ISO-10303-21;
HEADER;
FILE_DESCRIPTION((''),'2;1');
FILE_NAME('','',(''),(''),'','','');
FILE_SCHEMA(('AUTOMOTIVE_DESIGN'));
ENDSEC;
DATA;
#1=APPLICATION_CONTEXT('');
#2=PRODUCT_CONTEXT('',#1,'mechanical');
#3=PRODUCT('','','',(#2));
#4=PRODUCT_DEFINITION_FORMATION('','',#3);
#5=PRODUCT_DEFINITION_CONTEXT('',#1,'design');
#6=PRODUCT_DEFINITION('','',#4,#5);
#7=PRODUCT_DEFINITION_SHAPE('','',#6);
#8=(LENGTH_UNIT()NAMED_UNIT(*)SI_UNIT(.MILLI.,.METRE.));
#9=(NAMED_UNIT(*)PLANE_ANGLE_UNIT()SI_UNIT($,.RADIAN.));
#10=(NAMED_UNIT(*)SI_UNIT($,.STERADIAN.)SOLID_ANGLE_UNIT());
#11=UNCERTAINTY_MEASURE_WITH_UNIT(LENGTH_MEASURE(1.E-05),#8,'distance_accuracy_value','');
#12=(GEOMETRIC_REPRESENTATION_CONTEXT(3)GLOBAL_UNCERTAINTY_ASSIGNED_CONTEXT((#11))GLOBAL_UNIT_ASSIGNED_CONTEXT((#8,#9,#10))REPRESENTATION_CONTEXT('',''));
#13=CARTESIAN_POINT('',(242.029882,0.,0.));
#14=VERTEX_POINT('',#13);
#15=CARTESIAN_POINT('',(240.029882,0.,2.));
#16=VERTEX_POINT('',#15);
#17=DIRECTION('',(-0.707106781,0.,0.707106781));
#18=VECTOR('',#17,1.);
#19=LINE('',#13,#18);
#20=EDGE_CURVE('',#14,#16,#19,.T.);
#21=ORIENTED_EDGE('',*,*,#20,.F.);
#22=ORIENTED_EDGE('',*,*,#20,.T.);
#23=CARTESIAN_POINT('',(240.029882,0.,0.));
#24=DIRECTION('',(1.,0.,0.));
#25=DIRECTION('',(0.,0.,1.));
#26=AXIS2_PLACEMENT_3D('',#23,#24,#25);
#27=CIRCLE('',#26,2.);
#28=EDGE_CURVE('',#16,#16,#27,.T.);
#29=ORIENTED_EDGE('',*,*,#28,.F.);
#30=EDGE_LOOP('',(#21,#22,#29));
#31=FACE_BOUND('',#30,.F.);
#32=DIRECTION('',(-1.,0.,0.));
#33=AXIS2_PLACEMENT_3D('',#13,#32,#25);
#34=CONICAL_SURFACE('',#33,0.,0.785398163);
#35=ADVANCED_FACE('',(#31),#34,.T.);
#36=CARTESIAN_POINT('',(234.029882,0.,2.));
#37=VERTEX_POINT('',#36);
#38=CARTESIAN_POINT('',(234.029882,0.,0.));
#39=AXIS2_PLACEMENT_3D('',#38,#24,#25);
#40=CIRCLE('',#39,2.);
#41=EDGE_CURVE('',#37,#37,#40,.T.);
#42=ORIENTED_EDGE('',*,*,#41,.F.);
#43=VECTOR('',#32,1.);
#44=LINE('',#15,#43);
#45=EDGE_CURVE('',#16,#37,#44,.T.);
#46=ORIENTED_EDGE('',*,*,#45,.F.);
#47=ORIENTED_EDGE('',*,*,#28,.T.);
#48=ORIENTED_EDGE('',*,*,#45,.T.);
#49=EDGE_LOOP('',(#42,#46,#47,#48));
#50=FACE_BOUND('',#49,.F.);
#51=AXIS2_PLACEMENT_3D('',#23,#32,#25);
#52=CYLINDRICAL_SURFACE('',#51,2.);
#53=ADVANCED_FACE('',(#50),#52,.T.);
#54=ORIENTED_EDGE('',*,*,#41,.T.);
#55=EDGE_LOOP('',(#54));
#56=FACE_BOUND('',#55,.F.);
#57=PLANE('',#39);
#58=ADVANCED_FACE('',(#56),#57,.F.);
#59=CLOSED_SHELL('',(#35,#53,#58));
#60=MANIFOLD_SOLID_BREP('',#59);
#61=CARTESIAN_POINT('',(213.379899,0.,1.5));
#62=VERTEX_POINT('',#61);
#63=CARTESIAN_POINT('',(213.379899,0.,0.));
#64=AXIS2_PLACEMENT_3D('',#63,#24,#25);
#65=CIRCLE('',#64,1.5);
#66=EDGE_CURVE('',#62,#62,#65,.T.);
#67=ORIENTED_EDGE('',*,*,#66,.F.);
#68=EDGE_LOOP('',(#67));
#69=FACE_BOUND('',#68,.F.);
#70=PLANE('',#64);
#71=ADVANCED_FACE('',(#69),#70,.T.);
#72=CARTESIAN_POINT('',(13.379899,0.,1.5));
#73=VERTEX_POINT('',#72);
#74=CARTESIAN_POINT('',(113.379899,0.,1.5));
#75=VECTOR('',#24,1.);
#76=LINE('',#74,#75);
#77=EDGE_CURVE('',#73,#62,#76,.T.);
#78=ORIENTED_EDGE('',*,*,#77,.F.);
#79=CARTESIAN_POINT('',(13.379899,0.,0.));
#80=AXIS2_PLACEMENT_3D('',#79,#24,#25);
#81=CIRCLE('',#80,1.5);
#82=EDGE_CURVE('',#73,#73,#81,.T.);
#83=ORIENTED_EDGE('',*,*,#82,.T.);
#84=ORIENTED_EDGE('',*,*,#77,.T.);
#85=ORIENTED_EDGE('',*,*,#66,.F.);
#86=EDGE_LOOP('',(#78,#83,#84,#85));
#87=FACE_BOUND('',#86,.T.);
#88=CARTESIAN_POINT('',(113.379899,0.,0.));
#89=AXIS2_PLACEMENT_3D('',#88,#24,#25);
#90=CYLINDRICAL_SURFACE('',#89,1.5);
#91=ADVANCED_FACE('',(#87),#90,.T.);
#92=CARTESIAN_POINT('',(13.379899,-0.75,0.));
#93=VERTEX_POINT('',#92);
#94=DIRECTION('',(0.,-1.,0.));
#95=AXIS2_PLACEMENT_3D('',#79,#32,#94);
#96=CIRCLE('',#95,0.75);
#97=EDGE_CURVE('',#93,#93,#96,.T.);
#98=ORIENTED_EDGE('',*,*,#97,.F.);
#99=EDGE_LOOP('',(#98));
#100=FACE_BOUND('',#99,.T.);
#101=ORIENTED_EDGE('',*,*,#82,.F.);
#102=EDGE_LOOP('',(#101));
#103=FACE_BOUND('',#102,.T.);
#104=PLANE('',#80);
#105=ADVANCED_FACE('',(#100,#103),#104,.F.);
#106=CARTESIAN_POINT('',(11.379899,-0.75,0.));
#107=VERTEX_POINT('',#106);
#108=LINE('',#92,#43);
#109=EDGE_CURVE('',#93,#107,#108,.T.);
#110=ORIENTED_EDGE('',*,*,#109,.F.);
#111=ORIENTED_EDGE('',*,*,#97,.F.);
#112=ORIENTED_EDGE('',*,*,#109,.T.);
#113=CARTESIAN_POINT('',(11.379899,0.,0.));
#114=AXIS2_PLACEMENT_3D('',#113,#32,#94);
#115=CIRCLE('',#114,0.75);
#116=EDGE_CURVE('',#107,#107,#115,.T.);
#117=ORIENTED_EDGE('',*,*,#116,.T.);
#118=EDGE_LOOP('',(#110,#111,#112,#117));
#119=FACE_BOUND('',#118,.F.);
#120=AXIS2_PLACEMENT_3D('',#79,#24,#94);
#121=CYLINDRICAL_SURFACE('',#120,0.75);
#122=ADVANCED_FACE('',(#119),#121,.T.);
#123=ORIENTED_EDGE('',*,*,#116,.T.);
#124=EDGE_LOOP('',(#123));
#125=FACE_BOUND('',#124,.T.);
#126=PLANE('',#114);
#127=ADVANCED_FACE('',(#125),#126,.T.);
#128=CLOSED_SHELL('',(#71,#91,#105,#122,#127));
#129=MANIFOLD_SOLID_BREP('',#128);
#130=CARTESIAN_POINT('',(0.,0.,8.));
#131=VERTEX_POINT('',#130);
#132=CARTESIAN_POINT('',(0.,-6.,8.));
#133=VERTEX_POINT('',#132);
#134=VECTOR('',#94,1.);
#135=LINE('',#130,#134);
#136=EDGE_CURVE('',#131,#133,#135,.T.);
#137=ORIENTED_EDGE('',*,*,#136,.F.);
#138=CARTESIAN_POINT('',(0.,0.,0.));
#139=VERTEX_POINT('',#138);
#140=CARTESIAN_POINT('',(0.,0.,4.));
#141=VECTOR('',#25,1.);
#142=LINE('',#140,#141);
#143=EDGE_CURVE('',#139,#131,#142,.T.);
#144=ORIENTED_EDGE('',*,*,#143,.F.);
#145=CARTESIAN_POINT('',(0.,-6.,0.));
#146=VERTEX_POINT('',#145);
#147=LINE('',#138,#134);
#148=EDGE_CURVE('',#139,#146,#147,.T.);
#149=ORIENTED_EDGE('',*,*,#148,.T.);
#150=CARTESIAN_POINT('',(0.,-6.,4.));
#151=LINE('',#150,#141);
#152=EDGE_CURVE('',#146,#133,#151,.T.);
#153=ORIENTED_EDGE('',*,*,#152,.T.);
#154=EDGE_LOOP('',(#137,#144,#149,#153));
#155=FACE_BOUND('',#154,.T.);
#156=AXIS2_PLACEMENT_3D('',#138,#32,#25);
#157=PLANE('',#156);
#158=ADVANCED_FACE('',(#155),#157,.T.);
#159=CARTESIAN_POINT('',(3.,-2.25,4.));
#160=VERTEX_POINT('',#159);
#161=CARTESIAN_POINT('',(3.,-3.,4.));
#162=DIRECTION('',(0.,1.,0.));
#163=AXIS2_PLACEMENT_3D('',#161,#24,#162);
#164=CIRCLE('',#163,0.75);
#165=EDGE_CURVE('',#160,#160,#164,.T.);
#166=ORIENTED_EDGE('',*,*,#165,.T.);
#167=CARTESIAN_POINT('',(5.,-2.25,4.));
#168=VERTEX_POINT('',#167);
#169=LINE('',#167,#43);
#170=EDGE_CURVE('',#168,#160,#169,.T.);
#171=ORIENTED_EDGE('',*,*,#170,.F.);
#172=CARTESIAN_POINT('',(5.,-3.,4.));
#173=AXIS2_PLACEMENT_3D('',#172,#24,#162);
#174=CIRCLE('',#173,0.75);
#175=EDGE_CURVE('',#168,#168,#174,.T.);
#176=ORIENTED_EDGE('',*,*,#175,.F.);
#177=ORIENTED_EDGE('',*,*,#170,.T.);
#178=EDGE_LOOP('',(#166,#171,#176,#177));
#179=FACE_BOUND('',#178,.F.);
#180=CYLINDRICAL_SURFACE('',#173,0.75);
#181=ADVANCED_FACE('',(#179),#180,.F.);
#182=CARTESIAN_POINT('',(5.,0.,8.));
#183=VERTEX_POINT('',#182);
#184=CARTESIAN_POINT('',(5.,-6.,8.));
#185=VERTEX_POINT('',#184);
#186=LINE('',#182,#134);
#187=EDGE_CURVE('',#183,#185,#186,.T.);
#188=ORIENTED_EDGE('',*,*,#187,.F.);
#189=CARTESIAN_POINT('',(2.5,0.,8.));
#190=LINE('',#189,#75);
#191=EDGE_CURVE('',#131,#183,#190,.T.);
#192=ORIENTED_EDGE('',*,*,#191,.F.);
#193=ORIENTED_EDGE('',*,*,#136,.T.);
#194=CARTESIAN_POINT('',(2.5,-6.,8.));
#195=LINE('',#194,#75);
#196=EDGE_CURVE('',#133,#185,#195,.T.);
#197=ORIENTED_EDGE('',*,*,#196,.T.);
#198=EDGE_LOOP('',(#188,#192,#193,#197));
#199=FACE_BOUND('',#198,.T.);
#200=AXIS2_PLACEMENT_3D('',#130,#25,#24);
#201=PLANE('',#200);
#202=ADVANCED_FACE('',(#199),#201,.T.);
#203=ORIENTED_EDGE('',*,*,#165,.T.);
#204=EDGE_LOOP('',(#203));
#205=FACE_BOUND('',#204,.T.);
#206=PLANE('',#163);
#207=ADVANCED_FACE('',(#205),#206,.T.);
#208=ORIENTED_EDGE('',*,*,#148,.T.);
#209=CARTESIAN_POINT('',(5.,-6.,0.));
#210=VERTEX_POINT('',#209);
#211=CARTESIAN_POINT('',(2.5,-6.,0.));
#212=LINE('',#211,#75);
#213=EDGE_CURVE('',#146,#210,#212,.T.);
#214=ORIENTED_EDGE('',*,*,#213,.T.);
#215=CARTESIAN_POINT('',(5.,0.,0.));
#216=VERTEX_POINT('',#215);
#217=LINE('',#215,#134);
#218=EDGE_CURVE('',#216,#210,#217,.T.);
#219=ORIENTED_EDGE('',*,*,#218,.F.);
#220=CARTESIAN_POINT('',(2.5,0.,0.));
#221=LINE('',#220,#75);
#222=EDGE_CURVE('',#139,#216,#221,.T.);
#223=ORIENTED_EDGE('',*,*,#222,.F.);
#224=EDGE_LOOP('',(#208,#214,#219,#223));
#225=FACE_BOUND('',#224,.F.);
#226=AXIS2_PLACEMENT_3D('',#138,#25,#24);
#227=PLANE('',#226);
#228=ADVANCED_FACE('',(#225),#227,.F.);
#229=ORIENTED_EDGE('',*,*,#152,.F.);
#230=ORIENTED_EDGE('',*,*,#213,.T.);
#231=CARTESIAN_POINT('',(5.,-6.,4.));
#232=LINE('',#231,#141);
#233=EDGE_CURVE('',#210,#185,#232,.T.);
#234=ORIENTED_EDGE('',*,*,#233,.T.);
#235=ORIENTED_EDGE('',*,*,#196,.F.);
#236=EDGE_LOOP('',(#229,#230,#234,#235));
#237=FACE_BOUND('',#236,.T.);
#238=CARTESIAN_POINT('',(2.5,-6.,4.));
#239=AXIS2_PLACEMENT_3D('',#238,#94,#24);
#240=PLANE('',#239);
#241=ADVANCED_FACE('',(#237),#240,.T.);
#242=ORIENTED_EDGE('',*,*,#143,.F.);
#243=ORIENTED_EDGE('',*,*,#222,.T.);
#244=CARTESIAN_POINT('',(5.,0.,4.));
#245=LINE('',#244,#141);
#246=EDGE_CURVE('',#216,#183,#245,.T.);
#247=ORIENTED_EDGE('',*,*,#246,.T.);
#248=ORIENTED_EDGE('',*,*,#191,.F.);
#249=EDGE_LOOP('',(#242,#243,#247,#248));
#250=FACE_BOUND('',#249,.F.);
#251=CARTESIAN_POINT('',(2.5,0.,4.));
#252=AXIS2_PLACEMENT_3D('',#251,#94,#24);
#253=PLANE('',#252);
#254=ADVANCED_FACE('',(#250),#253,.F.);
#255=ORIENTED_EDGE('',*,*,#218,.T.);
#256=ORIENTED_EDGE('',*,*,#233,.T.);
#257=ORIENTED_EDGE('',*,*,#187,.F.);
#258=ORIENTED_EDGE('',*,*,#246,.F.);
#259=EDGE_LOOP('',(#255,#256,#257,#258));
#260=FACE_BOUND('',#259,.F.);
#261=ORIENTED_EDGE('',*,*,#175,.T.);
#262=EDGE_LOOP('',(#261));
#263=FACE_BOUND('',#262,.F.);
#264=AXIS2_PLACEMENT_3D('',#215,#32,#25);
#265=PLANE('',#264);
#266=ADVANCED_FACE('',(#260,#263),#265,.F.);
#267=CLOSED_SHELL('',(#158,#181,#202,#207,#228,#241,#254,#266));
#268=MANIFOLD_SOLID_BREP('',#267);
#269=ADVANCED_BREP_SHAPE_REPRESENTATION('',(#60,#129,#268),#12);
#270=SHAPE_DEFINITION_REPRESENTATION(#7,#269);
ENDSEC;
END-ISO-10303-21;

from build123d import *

# Parameters (mm, degrees)
F0_W     = 5
F0_H     = 8
F1_DEPTH = 6
F2_W     = 200
F2_H     = 1.5
F4_R     = 0.75
F5_DEPTH = 2
F6_R     = 0.75
F7_DEPTH = 2


with BuildPart() as f1:
    # F0 (on Front) → F1 (new body)
    with BuildSketch(Plane.XZ):
        with Locations((2.5, 4)):
            Rectangle(F0_W, F0_H)
    extrude(amount=F1_DEPTH)

    # F6 (on face) → F7 (cut)
    with BuildSketch(Plane.YZ.offset(5)):
        with Locations((-3, 4)):
            Circle(F6_R)
    extrude(amount=-F7_DEPTH, mode=Mode.SUBTRACT)


with BuildPart() as f3:
    # F2 (on Front) → F3 (revolve)
    with BuildSketch(Plane.XZ):
        with Locations((113.379899, 0.75)):
            Rectangle(F2_W, F2_H)
    revolve(axis=Axis((113.379899, 0, 0), (1, 0, 0)))

    # F4 (on face) → F5 (join)
    with BuildSketch(Plane(origin=(13.379899, 0, 0), x_dir=(0, -1, 0), z_dir=(-1, 0, 0))):
        Circle(F4_R)
    extrude(amount=F5_DEPTH)


with BuildPart() as f9:
    # F8 (on Front) → F9 (revolve)
    with BuildSketch(Plane.XZ):
        Polygon((234.029882, 2), (234.029882, 0), (242.029882, 0), (240.029882, 2), align=None)
    revolve(axis=Axis((238.029882, 0, 0), (1, 0, 0)))


solid = Compound([f1.part, f3.part, f9.part])
